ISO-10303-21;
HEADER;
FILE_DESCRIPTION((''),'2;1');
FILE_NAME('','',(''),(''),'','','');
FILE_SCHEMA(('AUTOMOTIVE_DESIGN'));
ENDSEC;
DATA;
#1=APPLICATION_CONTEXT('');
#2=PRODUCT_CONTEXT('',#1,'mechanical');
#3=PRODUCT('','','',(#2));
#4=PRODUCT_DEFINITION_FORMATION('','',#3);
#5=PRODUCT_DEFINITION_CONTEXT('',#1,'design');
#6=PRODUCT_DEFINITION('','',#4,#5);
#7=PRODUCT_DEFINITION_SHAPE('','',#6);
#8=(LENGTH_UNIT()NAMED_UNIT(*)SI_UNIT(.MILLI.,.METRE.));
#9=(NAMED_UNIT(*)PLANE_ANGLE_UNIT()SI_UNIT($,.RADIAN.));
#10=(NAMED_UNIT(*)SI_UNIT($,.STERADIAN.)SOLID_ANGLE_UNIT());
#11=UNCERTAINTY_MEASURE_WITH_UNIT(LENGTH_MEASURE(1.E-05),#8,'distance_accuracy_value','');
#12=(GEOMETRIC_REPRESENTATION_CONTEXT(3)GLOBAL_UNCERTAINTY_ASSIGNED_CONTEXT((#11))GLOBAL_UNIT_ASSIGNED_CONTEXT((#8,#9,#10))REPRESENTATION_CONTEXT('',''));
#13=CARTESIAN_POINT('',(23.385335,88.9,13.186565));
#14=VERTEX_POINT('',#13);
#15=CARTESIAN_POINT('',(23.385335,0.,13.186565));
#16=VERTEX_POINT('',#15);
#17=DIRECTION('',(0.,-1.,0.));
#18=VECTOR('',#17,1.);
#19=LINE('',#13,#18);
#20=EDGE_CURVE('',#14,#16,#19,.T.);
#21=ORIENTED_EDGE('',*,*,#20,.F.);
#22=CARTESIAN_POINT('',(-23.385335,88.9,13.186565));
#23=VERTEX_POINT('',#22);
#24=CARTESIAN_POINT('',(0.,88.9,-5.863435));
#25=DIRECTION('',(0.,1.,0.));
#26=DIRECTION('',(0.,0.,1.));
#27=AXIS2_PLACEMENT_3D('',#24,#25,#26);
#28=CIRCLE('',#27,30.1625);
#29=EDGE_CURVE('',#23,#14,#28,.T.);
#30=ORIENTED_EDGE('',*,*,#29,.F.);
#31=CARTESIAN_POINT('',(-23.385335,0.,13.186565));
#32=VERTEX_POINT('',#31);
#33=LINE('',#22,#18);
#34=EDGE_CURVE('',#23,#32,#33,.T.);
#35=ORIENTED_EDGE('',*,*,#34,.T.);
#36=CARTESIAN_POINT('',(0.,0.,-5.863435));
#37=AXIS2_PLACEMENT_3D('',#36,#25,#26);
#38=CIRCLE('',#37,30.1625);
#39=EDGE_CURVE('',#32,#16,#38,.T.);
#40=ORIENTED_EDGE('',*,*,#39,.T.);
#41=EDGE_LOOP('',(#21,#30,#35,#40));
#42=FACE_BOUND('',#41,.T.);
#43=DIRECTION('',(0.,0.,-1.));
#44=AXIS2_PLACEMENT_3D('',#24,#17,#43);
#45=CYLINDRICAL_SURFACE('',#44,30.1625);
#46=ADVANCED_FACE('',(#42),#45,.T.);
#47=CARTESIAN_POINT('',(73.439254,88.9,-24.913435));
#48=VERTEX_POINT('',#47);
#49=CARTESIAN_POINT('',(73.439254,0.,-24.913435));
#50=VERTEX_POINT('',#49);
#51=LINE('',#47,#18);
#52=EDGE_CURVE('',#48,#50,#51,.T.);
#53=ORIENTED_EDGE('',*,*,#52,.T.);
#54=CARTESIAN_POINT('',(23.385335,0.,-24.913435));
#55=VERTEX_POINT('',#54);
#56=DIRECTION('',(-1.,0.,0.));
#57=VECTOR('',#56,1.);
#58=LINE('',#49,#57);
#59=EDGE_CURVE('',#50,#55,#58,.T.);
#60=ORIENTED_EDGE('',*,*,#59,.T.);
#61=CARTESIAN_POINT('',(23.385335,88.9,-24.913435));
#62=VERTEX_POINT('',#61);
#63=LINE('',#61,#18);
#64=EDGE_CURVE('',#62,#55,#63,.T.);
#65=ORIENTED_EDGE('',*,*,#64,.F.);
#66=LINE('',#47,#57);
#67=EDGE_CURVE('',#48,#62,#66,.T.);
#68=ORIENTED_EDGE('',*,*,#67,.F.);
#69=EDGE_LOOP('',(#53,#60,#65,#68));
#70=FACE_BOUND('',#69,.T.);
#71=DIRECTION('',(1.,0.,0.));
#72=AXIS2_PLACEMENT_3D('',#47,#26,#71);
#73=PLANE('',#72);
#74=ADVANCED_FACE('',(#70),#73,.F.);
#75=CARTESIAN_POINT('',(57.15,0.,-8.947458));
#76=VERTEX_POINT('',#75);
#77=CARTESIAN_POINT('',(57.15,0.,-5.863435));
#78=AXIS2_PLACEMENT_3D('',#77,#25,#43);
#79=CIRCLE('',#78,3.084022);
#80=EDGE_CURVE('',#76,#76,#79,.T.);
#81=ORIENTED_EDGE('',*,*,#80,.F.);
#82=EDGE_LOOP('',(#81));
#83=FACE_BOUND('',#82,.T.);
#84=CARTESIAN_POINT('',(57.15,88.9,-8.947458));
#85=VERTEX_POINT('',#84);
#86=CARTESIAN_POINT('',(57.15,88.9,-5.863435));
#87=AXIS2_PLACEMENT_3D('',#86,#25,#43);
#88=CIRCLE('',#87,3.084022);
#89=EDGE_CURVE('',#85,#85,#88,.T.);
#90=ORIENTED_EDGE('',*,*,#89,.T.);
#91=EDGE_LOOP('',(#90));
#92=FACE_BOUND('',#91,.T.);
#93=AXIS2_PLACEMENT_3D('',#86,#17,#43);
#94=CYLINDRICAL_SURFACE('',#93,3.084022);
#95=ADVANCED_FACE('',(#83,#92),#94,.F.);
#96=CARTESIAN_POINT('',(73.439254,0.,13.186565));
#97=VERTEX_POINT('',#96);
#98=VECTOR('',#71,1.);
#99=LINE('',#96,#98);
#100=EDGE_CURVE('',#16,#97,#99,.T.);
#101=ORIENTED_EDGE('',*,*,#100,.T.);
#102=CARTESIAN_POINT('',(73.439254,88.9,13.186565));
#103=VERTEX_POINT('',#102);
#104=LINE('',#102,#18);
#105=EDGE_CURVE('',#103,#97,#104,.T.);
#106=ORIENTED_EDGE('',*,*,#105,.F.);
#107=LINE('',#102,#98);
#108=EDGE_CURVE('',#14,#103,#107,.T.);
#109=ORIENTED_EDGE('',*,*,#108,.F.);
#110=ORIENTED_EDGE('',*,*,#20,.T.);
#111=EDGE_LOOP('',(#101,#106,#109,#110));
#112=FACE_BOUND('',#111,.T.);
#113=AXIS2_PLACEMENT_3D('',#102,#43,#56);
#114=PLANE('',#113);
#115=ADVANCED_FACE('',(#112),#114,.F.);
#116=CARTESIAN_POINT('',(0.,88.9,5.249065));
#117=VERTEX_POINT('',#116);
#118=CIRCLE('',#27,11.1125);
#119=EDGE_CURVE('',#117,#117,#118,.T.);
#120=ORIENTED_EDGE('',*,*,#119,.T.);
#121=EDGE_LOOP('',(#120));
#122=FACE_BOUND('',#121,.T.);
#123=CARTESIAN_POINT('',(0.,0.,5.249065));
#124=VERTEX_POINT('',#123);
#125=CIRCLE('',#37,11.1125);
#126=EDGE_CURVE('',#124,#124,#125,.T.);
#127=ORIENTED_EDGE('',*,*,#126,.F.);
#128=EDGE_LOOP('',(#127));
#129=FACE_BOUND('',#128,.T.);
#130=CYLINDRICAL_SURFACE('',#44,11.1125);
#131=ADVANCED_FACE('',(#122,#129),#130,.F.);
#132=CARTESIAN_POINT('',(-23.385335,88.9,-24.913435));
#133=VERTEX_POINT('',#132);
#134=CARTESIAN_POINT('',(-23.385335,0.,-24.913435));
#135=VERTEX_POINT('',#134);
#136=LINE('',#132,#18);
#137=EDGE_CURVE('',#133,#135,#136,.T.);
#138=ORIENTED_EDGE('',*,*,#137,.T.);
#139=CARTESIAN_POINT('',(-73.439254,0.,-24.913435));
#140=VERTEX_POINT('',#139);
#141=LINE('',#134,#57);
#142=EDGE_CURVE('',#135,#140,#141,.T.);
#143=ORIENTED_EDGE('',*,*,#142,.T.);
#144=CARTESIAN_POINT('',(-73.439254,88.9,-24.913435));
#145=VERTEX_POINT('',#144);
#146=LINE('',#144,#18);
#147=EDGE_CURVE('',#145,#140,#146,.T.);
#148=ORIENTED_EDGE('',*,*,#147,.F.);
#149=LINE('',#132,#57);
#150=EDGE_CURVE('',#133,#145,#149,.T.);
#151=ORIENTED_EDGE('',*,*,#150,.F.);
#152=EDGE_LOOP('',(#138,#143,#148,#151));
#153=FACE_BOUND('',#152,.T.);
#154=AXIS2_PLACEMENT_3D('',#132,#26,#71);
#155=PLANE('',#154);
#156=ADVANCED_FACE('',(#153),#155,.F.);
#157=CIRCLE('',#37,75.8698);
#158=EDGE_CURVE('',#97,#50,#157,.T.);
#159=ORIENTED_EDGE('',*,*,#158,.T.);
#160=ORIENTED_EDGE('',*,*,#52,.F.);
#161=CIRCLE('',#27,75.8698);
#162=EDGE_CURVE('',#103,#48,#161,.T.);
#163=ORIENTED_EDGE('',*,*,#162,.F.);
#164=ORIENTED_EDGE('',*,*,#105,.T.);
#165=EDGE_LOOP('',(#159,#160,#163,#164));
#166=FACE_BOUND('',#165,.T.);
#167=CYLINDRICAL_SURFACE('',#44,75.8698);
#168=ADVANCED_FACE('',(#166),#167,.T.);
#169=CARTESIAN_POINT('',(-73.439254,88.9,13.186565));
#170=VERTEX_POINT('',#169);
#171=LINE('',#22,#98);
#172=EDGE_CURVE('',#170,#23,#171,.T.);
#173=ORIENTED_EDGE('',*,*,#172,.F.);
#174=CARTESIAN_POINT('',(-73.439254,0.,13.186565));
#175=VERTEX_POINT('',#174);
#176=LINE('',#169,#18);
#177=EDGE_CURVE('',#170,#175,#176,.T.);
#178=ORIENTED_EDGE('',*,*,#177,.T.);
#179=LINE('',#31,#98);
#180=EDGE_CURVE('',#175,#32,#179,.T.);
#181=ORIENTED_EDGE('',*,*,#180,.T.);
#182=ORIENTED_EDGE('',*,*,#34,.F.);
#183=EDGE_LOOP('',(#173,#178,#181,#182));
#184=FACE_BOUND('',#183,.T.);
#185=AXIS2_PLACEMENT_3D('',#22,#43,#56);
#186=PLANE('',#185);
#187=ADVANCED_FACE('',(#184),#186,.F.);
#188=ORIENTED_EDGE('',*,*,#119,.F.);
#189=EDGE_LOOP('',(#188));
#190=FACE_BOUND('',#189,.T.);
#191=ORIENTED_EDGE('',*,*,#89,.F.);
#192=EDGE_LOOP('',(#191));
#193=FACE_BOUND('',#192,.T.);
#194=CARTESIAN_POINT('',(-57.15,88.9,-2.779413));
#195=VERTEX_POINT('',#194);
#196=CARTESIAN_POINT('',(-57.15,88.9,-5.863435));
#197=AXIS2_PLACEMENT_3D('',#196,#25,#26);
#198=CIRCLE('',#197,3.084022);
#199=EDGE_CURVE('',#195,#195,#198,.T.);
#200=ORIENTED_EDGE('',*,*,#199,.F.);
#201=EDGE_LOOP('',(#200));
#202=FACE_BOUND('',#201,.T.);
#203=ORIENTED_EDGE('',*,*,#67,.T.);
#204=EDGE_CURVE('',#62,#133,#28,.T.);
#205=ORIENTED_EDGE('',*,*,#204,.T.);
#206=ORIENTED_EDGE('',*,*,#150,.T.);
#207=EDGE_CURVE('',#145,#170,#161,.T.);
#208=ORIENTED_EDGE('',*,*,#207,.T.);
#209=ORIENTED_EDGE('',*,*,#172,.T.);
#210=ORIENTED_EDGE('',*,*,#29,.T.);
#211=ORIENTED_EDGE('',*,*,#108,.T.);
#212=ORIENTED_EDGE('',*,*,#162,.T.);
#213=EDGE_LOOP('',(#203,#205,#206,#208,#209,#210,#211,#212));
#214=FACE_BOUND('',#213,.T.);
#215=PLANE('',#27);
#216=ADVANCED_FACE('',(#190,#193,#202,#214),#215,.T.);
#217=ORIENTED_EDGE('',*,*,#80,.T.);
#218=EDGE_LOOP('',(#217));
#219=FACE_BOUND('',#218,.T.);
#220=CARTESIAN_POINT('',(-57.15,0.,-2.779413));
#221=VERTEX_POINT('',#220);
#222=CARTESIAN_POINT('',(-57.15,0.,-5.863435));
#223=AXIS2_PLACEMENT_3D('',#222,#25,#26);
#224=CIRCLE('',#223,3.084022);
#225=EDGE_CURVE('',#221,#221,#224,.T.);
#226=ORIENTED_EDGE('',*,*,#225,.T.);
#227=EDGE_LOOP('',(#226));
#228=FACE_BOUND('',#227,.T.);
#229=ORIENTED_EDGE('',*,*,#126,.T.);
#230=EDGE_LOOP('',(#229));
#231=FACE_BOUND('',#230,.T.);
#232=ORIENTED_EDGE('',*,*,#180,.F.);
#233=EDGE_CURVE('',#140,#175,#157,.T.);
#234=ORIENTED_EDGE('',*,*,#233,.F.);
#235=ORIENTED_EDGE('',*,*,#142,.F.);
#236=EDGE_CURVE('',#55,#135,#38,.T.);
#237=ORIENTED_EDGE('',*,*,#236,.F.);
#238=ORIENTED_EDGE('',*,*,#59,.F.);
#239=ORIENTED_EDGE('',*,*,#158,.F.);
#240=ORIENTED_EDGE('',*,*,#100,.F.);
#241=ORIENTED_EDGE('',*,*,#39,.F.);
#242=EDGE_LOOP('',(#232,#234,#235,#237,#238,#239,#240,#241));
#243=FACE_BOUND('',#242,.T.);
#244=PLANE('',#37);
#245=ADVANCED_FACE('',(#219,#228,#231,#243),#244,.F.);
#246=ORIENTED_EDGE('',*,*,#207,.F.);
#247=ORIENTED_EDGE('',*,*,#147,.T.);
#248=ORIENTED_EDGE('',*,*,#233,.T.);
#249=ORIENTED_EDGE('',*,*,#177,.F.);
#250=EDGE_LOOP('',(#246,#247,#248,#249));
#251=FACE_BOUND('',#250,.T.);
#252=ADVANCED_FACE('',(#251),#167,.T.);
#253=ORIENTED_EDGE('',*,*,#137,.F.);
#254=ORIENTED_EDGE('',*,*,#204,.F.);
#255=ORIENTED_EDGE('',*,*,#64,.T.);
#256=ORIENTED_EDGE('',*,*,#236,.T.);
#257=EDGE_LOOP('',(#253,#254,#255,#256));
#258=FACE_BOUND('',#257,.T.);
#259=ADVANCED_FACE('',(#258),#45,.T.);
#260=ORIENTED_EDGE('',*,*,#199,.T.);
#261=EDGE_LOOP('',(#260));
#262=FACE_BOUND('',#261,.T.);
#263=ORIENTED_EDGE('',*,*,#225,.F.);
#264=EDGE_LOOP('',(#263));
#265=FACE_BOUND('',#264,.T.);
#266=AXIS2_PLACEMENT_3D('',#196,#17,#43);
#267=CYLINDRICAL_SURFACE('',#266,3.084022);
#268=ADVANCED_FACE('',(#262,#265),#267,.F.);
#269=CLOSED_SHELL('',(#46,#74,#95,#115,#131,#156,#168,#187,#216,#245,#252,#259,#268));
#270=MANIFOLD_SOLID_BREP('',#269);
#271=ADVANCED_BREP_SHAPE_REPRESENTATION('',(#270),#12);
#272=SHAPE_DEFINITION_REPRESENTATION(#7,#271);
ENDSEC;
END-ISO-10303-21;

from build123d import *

# Parameters (mm, degrees)
SKETCH_1_R      = 11.1125
SKETCH_1_R_2    = 3.084022448
EXTRUDE_1_DEPTH = 88.9


with BuildPart() as part:
    # Эскиз1 → Бобышка-Вытянуть1 (new body)
    with BuildSketch(Plane(origin=(0, 0, 0), x_dir=(1, 0, 0), z_dir=(0, 1, 0))):
        with BuildLine():
            Line((73.439254163, -13.186564551), (23.385335282, -13.186564551))
            ThreePointArc((23.385335282, -13.186564551), (0, -24.299064551), (-23.385335282, -13.186564551))
            Line((-23.385335282, -13.186564551), (-73.439254163, -13.186564551))
            ThreePointArc((-73.439254163, -13.186564551), (-75.8698, 5.863435449), (-73.439254163, 24.913435449))
            Line((-73.439254163, 24.913435449), (-23.385335282, 24.913435449))
            ThreePointArc((-23.385335282, 24.913435449), (0, 36.025935449), (23.385335282, 24.913435449))
            Line((23.385335282, 24.913435449), (73.439254163, 24.913435449))
            ThreePointArc((73.439254163, 24.913435449), (75.8698, 5.863435449), (73.439254163, -13.186564551))
        make_face()
        with Locations(Location((0, 5.863435449, 0), (0, 0, 270))):
            Circle(SKETCH_1_R, mode=Mode.SUBTRACT)
        with Locations(Location((-57.15, 5.863435449, 0), (0, 0, 270))):
            Circle(SKETCH_1_R_2, mode=Mode.SUBTRACT)
        with Locations(Location((57.15, 5.863435449, 0), (0, 0, 90))):
            Circle(SKETCH_1_R_2, mode=Mode.SUBTRACT)
    extrude(amount=EXTRUDE_1_DEPTH)


solid = part.part
